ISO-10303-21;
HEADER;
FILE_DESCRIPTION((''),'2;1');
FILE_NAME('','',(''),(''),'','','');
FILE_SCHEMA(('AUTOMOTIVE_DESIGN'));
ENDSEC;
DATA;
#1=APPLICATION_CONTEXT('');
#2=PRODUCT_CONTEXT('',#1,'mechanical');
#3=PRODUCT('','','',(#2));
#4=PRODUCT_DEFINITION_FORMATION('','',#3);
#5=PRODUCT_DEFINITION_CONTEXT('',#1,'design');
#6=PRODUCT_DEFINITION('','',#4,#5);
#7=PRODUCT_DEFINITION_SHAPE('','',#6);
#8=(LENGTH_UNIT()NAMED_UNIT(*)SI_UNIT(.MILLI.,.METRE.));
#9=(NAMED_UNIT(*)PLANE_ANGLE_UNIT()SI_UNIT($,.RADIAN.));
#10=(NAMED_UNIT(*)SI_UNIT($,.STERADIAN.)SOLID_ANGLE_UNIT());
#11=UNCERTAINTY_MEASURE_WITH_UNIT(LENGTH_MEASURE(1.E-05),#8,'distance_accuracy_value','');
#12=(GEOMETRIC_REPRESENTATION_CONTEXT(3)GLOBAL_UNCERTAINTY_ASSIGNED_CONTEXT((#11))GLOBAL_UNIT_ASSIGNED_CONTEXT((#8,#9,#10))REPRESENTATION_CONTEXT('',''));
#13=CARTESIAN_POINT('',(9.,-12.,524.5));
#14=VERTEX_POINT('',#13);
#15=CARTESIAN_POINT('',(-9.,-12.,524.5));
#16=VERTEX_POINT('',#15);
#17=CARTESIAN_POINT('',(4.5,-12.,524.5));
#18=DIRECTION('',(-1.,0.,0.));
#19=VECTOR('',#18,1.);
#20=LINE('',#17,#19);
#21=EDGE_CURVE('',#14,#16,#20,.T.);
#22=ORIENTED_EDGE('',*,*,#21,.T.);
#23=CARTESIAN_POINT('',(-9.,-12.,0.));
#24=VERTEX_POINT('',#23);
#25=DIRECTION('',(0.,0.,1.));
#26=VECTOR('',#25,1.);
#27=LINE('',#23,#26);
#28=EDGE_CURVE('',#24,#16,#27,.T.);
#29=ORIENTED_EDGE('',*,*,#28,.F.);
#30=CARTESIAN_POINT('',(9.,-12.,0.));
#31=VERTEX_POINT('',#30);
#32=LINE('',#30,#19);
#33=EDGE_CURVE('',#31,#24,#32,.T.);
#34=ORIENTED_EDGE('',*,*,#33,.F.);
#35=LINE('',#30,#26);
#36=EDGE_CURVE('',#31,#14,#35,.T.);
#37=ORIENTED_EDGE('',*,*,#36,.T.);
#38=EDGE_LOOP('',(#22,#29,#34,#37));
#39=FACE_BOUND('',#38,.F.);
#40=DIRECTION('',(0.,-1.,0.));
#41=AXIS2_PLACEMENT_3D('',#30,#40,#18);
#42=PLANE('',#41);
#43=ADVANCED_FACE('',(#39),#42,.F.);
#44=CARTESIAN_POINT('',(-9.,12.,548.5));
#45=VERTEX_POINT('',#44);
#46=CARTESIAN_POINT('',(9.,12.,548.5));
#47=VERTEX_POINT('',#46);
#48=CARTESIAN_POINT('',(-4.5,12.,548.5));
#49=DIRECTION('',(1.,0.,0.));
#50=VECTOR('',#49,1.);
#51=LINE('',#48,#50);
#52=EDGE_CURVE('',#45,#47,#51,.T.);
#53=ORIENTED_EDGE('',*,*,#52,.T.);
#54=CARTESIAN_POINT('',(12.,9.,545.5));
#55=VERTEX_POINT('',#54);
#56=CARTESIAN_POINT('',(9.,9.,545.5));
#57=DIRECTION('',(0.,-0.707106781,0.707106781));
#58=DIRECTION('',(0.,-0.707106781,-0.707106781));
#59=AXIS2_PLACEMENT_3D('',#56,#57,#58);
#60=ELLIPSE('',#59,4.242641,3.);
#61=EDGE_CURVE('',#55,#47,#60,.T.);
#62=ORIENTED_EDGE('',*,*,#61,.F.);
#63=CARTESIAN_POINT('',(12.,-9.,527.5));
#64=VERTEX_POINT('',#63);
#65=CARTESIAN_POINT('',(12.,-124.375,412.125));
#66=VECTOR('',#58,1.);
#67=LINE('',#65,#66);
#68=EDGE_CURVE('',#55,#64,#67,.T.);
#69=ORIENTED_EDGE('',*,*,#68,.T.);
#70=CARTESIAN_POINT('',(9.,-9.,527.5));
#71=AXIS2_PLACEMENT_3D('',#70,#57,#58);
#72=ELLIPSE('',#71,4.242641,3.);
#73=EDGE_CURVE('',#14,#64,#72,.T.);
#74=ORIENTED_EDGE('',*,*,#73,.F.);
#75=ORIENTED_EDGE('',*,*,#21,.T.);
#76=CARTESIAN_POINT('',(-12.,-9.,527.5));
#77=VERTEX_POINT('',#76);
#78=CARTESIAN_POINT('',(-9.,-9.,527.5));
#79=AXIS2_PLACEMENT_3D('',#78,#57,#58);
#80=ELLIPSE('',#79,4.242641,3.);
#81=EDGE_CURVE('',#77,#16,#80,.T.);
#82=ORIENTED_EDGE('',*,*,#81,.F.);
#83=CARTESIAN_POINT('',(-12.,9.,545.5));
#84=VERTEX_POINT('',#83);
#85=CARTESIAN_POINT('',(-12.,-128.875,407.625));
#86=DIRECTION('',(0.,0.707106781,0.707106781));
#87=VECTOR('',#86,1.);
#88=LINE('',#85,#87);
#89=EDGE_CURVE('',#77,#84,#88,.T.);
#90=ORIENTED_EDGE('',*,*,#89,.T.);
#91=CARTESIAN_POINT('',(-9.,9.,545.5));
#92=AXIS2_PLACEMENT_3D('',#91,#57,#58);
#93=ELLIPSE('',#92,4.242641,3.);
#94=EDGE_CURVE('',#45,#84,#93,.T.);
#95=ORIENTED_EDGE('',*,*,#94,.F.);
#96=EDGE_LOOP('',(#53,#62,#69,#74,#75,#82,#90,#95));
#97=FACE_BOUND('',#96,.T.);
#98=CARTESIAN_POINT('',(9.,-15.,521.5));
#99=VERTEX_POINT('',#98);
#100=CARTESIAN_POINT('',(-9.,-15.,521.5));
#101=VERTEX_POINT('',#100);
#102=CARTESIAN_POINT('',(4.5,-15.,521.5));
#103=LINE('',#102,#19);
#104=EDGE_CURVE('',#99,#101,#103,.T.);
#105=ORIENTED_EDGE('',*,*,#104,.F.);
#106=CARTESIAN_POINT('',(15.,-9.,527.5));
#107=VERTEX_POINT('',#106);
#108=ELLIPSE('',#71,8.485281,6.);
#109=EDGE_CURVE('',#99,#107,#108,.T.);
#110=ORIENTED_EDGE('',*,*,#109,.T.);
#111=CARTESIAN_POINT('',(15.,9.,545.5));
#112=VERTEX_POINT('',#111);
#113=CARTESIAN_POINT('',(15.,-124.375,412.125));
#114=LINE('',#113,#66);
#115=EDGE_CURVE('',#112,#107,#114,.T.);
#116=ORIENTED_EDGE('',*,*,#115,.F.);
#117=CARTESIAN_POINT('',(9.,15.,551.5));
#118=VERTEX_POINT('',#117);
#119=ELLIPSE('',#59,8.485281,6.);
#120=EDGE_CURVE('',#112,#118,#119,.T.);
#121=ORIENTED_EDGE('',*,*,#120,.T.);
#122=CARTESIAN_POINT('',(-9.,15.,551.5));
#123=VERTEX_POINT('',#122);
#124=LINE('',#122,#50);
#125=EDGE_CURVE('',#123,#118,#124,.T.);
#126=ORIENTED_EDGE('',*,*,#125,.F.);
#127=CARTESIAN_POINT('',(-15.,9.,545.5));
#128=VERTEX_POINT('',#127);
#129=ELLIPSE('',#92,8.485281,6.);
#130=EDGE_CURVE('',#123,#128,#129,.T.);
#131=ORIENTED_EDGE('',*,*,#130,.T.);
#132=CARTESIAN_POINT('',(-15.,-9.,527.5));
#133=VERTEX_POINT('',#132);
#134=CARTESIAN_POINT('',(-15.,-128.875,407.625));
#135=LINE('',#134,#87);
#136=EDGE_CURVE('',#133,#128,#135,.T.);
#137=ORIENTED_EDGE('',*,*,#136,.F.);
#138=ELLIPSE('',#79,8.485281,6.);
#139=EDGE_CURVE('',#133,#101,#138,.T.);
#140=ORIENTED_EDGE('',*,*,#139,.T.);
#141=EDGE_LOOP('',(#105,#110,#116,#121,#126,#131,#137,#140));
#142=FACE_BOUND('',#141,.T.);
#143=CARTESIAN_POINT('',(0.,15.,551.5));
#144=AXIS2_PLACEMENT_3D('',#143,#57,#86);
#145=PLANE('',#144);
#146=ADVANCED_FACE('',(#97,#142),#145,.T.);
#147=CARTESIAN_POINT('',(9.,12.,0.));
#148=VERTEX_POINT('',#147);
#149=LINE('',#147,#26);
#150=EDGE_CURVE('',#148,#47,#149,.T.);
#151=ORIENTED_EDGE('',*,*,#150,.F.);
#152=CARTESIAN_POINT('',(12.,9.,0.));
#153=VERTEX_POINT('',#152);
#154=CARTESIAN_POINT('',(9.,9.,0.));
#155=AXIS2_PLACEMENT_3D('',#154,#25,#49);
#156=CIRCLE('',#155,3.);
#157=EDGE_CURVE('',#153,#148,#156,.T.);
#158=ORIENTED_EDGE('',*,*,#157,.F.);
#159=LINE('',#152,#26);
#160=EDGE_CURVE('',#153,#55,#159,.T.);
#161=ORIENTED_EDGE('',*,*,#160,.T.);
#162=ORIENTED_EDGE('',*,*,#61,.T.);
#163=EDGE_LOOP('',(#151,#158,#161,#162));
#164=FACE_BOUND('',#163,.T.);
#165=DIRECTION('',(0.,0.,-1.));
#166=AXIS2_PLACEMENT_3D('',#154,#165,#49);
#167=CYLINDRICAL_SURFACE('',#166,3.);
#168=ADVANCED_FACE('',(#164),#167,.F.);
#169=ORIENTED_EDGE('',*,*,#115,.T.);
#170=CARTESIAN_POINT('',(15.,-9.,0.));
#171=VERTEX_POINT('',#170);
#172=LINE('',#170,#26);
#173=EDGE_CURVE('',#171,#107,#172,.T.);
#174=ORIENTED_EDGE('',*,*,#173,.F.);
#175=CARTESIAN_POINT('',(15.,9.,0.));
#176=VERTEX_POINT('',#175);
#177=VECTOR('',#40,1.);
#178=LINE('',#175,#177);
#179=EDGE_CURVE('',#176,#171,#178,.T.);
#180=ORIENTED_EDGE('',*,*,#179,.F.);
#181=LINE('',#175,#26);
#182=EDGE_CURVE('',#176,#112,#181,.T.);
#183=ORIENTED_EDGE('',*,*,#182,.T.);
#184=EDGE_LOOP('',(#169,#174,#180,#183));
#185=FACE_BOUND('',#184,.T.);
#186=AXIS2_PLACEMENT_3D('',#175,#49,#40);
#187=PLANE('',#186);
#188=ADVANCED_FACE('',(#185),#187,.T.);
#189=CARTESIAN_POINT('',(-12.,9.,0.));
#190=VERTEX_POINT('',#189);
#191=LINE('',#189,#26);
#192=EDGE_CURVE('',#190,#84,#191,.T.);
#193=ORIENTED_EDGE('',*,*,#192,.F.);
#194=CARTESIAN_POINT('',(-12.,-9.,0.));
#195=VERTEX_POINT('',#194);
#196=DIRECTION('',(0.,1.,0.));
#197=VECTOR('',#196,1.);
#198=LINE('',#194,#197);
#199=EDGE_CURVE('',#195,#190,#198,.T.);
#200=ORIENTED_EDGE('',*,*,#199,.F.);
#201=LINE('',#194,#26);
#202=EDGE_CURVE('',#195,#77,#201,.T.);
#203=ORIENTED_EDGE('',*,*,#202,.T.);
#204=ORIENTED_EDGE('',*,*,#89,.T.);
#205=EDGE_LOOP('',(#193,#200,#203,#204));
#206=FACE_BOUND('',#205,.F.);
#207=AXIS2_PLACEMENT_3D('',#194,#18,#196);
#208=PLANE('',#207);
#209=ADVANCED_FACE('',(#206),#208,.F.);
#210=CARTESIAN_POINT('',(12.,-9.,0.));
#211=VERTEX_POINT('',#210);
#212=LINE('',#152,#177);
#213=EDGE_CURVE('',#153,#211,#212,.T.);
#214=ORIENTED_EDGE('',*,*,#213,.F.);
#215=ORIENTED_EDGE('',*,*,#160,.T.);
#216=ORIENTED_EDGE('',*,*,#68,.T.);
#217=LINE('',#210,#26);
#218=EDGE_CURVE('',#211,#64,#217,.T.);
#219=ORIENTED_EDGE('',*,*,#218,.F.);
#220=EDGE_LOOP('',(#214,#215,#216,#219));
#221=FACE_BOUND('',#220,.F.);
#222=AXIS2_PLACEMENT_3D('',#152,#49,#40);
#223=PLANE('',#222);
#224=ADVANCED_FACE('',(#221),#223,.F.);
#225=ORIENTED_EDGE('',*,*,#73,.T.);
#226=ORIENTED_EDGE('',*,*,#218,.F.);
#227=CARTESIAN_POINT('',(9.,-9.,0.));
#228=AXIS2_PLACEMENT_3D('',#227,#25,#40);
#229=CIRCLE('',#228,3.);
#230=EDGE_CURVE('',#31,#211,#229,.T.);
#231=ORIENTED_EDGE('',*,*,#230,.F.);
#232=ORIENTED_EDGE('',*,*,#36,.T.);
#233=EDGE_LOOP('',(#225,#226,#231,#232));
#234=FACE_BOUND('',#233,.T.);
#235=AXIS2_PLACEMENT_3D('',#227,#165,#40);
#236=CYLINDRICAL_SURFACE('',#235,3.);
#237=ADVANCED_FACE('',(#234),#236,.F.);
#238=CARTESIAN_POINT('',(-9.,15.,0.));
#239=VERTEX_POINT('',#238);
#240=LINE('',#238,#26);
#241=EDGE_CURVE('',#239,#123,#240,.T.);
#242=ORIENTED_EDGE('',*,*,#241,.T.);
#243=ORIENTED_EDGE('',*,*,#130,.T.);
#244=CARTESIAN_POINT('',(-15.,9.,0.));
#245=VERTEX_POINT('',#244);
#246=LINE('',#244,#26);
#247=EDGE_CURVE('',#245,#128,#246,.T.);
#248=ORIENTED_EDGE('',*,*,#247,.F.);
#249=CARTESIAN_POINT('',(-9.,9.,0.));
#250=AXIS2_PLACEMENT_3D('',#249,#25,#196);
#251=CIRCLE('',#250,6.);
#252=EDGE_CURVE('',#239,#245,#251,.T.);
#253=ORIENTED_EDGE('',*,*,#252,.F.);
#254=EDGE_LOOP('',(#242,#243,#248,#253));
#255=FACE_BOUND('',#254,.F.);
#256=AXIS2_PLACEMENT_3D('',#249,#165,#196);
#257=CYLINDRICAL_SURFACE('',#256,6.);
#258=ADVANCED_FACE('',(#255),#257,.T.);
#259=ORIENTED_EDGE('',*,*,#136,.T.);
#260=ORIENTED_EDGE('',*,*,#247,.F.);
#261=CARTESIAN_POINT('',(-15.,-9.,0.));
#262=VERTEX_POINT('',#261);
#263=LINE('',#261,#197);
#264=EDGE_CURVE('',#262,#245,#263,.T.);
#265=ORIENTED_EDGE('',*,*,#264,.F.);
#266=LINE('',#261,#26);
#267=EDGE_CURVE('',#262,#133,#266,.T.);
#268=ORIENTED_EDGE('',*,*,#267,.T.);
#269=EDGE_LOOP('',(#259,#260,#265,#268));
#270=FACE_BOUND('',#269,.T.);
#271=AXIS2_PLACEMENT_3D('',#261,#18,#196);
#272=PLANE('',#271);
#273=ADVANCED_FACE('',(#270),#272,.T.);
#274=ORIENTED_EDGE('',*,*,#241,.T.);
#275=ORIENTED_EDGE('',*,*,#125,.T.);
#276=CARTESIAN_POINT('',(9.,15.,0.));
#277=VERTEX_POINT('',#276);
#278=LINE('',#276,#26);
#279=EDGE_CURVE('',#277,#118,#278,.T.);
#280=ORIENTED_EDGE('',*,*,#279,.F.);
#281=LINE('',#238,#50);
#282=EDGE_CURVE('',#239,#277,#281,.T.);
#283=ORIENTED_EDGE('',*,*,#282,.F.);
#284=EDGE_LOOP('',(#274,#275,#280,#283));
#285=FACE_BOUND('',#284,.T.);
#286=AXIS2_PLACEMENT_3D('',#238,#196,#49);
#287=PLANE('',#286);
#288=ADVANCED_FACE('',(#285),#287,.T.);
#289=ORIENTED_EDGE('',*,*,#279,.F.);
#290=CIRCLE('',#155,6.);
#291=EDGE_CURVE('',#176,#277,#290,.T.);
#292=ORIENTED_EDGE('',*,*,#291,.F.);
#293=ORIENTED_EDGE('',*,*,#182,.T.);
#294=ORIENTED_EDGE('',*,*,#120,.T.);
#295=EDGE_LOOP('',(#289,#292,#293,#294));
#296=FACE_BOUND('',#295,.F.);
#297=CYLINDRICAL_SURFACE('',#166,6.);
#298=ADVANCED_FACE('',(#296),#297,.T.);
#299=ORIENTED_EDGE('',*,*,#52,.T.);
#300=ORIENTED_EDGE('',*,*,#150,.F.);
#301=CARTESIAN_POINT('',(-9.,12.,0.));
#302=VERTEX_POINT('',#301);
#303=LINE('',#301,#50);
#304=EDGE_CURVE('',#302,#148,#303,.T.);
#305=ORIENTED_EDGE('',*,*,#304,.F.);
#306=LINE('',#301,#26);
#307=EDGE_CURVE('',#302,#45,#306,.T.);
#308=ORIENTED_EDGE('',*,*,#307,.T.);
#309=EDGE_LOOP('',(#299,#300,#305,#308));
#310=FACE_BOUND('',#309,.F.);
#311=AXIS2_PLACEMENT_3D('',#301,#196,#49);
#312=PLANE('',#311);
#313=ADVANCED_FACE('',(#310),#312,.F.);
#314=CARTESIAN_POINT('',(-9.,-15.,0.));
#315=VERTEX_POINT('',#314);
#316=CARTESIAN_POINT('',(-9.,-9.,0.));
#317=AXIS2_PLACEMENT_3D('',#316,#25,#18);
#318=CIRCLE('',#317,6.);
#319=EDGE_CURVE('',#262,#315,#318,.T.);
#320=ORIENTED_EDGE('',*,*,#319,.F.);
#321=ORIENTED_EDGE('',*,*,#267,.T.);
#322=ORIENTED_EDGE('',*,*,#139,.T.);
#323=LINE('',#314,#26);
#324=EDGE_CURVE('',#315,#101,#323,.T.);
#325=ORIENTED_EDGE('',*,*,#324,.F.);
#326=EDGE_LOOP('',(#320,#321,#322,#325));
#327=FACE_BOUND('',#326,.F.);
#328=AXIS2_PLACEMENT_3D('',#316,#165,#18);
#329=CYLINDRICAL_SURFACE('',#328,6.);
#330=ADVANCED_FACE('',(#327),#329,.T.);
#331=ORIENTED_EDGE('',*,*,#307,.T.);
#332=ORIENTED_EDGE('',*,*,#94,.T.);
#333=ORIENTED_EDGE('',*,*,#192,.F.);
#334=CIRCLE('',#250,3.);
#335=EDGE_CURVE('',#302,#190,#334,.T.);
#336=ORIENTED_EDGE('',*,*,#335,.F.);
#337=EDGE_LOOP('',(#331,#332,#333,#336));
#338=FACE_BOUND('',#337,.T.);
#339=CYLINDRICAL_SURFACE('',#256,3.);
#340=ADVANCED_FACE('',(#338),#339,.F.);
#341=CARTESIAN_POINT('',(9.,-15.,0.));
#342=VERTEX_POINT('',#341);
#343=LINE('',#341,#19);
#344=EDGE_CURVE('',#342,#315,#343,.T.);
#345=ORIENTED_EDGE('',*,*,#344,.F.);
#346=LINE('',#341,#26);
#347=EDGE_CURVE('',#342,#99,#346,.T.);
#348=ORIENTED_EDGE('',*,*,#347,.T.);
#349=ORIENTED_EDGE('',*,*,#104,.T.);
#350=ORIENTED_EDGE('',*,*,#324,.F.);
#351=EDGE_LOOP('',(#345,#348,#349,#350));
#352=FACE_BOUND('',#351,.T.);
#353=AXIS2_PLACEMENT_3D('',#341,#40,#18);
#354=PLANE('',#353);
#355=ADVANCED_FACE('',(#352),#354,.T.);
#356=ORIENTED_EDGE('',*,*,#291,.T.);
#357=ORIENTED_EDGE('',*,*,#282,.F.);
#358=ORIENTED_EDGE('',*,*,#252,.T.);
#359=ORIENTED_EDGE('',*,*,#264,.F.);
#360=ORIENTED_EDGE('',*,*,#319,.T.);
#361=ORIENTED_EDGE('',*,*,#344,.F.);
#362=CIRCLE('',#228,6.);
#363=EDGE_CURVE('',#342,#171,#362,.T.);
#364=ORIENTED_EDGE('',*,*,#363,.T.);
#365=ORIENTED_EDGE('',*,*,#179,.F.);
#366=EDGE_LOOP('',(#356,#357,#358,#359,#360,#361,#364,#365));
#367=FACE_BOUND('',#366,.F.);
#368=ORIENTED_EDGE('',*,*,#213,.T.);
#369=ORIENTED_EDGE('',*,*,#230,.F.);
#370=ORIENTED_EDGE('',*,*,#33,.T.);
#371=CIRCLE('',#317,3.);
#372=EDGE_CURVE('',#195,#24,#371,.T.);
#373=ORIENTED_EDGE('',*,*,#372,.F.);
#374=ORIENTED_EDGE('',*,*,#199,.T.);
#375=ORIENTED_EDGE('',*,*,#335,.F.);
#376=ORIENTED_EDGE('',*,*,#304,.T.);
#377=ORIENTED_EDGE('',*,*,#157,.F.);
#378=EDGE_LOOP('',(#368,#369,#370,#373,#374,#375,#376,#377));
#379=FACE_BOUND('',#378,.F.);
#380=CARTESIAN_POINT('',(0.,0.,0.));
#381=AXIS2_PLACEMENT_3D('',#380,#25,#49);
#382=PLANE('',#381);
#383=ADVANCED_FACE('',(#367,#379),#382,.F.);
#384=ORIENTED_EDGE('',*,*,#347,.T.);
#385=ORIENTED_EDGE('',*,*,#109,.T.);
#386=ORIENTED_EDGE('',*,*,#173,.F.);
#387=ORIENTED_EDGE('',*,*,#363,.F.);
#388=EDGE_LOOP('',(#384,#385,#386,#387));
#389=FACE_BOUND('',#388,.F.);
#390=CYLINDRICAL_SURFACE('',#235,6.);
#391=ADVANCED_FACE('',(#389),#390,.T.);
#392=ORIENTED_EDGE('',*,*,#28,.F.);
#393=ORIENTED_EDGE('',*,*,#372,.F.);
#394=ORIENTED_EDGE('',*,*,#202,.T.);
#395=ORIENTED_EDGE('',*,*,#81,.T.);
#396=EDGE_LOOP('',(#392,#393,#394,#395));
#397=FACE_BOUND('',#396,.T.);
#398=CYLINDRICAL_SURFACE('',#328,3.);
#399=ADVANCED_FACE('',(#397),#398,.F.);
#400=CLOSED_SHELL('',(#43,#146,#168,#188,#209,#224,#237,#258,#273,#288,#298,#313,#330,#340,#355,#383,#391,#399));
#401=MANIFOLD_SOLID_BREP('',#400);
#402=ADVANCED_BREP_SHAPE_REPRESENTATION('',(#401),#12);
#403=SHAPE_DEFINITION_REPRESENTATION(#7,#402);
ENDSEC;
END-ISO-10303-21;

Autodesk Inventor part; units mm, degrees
ref_plane "Start Plane" through (0, 0, 0) normal (0, 0, 1) x (1, 0, 0)
ref_plane "End Plane" through (0, 0, 551.5) normal (0, 0, 1) x (1, 0, 0)
sketch "Sketch" plane through (0, 0, 0) normal (0, 0, 1) x (1, 0, 0)
  line L0 (-15, -9) -> (-15, 9)
  line L1 (-9, 15) -> (9, 15)
  line L2 (15, 9) -> (15, -9)
  line L3 (9, -15) -> (-9, -15)
  arc A0 (-15, -9) -> (-9, -15) centre (-9, -9) ccw
  arc A1 (-9, 15) -> (-15, 9) centre (-9, 9) ccw
  arc A2 (15, 9) -> (9, 15) centre (9, 9) ccw
  arc A3 (9, -15) -> (15, -9) centre (9, -9) ccw
  arc A4 (-9, 12) -> (-12, 9) centre (-9, 9) ccw
  line L4 (-9, 12) -> (9, 12)
  arc A5 (12, 9) -> (9, 12) centre (9, 9) ccw
  line L5 (12, 9) -> (12, -9)
  arc A6 (9, -12) -> (12, -9) centre (9, -9) ccw
  line L6 (9, -12) -> (-9, -12)
  arc A7 (-12, -9) -> (-9, -12) centre (-9, -9) ccw
  line L7 (-12, -9) -> (-12, 9)
  line L8 (0, 22.7397) -> (0, -22.7397) construction
  line L9 (-22.7397, 0) -> (22.7397, 0) construction
  dimension "d7" = 6
  dimension "d10" = 30
  dimension "d11" = 30
  dimension "d12" = 3
  dimension "d15" = 15
  dimension "d16" = 15
extrude "Body" add sketch "Sketch" along normal up to surface (551.5 mm away) from surface at 0
sketch "Sketch3" plane through (0, 0, 0) normal (0, 0, 1) x (1, 0, 0)
  line L0 (0, 0) -> (10, 0)
ref_plane "Work Plane3" through (0, 0, 0) normal (0, -1, 0) x (1, 0, 0)
ref_plane "Work Plane5" through (0, 15, 551.5) normal (0, -0.7071, 0.7071) x (1, 0, 0)
split "Split2" plane through (0, 15, 551.5) removes the side toward (0, -0.7071, 0.7071)
sketch "Sketch4" plane through (0, 0, 0) normal (0, -1, 0) x (1, 0, 0)
  line L0 (-2, 0) -> (12, 0) projected
  line L1 (-2, 551.5) -> (12, 551.5) projected
  dimension "d18" = 551.5
equation "\"d7\" = G_IR"
equation "\"d10\" = G_H"
equation "\"d11\" = G_W"
equation "\"d12\" = G_T"
equation "\"d15\" = 0.5 * d10"
equation "\"d16\" = 0.5 * d11"
equation "\"d3\" = G_L"
equation "\"G_W\" = 30"
equation "\"G_H\" = 30"
equation "\"G_T\" = 3"
equation "\"G_IR\" = 6"
equation "\"G_L\" = d18"
equation "\"G_OFFSET_START\" = 0"
equation "\"G_OFFSET_END\" = 15"
equation "\"d14\" = G_OFFSET_END + B_L"
equation "\"B_L\" = 536.5"
properties part number "DIN EN 10219-2 - 30 x 30 x 3  - 551.5" material "Steel, Mild"
